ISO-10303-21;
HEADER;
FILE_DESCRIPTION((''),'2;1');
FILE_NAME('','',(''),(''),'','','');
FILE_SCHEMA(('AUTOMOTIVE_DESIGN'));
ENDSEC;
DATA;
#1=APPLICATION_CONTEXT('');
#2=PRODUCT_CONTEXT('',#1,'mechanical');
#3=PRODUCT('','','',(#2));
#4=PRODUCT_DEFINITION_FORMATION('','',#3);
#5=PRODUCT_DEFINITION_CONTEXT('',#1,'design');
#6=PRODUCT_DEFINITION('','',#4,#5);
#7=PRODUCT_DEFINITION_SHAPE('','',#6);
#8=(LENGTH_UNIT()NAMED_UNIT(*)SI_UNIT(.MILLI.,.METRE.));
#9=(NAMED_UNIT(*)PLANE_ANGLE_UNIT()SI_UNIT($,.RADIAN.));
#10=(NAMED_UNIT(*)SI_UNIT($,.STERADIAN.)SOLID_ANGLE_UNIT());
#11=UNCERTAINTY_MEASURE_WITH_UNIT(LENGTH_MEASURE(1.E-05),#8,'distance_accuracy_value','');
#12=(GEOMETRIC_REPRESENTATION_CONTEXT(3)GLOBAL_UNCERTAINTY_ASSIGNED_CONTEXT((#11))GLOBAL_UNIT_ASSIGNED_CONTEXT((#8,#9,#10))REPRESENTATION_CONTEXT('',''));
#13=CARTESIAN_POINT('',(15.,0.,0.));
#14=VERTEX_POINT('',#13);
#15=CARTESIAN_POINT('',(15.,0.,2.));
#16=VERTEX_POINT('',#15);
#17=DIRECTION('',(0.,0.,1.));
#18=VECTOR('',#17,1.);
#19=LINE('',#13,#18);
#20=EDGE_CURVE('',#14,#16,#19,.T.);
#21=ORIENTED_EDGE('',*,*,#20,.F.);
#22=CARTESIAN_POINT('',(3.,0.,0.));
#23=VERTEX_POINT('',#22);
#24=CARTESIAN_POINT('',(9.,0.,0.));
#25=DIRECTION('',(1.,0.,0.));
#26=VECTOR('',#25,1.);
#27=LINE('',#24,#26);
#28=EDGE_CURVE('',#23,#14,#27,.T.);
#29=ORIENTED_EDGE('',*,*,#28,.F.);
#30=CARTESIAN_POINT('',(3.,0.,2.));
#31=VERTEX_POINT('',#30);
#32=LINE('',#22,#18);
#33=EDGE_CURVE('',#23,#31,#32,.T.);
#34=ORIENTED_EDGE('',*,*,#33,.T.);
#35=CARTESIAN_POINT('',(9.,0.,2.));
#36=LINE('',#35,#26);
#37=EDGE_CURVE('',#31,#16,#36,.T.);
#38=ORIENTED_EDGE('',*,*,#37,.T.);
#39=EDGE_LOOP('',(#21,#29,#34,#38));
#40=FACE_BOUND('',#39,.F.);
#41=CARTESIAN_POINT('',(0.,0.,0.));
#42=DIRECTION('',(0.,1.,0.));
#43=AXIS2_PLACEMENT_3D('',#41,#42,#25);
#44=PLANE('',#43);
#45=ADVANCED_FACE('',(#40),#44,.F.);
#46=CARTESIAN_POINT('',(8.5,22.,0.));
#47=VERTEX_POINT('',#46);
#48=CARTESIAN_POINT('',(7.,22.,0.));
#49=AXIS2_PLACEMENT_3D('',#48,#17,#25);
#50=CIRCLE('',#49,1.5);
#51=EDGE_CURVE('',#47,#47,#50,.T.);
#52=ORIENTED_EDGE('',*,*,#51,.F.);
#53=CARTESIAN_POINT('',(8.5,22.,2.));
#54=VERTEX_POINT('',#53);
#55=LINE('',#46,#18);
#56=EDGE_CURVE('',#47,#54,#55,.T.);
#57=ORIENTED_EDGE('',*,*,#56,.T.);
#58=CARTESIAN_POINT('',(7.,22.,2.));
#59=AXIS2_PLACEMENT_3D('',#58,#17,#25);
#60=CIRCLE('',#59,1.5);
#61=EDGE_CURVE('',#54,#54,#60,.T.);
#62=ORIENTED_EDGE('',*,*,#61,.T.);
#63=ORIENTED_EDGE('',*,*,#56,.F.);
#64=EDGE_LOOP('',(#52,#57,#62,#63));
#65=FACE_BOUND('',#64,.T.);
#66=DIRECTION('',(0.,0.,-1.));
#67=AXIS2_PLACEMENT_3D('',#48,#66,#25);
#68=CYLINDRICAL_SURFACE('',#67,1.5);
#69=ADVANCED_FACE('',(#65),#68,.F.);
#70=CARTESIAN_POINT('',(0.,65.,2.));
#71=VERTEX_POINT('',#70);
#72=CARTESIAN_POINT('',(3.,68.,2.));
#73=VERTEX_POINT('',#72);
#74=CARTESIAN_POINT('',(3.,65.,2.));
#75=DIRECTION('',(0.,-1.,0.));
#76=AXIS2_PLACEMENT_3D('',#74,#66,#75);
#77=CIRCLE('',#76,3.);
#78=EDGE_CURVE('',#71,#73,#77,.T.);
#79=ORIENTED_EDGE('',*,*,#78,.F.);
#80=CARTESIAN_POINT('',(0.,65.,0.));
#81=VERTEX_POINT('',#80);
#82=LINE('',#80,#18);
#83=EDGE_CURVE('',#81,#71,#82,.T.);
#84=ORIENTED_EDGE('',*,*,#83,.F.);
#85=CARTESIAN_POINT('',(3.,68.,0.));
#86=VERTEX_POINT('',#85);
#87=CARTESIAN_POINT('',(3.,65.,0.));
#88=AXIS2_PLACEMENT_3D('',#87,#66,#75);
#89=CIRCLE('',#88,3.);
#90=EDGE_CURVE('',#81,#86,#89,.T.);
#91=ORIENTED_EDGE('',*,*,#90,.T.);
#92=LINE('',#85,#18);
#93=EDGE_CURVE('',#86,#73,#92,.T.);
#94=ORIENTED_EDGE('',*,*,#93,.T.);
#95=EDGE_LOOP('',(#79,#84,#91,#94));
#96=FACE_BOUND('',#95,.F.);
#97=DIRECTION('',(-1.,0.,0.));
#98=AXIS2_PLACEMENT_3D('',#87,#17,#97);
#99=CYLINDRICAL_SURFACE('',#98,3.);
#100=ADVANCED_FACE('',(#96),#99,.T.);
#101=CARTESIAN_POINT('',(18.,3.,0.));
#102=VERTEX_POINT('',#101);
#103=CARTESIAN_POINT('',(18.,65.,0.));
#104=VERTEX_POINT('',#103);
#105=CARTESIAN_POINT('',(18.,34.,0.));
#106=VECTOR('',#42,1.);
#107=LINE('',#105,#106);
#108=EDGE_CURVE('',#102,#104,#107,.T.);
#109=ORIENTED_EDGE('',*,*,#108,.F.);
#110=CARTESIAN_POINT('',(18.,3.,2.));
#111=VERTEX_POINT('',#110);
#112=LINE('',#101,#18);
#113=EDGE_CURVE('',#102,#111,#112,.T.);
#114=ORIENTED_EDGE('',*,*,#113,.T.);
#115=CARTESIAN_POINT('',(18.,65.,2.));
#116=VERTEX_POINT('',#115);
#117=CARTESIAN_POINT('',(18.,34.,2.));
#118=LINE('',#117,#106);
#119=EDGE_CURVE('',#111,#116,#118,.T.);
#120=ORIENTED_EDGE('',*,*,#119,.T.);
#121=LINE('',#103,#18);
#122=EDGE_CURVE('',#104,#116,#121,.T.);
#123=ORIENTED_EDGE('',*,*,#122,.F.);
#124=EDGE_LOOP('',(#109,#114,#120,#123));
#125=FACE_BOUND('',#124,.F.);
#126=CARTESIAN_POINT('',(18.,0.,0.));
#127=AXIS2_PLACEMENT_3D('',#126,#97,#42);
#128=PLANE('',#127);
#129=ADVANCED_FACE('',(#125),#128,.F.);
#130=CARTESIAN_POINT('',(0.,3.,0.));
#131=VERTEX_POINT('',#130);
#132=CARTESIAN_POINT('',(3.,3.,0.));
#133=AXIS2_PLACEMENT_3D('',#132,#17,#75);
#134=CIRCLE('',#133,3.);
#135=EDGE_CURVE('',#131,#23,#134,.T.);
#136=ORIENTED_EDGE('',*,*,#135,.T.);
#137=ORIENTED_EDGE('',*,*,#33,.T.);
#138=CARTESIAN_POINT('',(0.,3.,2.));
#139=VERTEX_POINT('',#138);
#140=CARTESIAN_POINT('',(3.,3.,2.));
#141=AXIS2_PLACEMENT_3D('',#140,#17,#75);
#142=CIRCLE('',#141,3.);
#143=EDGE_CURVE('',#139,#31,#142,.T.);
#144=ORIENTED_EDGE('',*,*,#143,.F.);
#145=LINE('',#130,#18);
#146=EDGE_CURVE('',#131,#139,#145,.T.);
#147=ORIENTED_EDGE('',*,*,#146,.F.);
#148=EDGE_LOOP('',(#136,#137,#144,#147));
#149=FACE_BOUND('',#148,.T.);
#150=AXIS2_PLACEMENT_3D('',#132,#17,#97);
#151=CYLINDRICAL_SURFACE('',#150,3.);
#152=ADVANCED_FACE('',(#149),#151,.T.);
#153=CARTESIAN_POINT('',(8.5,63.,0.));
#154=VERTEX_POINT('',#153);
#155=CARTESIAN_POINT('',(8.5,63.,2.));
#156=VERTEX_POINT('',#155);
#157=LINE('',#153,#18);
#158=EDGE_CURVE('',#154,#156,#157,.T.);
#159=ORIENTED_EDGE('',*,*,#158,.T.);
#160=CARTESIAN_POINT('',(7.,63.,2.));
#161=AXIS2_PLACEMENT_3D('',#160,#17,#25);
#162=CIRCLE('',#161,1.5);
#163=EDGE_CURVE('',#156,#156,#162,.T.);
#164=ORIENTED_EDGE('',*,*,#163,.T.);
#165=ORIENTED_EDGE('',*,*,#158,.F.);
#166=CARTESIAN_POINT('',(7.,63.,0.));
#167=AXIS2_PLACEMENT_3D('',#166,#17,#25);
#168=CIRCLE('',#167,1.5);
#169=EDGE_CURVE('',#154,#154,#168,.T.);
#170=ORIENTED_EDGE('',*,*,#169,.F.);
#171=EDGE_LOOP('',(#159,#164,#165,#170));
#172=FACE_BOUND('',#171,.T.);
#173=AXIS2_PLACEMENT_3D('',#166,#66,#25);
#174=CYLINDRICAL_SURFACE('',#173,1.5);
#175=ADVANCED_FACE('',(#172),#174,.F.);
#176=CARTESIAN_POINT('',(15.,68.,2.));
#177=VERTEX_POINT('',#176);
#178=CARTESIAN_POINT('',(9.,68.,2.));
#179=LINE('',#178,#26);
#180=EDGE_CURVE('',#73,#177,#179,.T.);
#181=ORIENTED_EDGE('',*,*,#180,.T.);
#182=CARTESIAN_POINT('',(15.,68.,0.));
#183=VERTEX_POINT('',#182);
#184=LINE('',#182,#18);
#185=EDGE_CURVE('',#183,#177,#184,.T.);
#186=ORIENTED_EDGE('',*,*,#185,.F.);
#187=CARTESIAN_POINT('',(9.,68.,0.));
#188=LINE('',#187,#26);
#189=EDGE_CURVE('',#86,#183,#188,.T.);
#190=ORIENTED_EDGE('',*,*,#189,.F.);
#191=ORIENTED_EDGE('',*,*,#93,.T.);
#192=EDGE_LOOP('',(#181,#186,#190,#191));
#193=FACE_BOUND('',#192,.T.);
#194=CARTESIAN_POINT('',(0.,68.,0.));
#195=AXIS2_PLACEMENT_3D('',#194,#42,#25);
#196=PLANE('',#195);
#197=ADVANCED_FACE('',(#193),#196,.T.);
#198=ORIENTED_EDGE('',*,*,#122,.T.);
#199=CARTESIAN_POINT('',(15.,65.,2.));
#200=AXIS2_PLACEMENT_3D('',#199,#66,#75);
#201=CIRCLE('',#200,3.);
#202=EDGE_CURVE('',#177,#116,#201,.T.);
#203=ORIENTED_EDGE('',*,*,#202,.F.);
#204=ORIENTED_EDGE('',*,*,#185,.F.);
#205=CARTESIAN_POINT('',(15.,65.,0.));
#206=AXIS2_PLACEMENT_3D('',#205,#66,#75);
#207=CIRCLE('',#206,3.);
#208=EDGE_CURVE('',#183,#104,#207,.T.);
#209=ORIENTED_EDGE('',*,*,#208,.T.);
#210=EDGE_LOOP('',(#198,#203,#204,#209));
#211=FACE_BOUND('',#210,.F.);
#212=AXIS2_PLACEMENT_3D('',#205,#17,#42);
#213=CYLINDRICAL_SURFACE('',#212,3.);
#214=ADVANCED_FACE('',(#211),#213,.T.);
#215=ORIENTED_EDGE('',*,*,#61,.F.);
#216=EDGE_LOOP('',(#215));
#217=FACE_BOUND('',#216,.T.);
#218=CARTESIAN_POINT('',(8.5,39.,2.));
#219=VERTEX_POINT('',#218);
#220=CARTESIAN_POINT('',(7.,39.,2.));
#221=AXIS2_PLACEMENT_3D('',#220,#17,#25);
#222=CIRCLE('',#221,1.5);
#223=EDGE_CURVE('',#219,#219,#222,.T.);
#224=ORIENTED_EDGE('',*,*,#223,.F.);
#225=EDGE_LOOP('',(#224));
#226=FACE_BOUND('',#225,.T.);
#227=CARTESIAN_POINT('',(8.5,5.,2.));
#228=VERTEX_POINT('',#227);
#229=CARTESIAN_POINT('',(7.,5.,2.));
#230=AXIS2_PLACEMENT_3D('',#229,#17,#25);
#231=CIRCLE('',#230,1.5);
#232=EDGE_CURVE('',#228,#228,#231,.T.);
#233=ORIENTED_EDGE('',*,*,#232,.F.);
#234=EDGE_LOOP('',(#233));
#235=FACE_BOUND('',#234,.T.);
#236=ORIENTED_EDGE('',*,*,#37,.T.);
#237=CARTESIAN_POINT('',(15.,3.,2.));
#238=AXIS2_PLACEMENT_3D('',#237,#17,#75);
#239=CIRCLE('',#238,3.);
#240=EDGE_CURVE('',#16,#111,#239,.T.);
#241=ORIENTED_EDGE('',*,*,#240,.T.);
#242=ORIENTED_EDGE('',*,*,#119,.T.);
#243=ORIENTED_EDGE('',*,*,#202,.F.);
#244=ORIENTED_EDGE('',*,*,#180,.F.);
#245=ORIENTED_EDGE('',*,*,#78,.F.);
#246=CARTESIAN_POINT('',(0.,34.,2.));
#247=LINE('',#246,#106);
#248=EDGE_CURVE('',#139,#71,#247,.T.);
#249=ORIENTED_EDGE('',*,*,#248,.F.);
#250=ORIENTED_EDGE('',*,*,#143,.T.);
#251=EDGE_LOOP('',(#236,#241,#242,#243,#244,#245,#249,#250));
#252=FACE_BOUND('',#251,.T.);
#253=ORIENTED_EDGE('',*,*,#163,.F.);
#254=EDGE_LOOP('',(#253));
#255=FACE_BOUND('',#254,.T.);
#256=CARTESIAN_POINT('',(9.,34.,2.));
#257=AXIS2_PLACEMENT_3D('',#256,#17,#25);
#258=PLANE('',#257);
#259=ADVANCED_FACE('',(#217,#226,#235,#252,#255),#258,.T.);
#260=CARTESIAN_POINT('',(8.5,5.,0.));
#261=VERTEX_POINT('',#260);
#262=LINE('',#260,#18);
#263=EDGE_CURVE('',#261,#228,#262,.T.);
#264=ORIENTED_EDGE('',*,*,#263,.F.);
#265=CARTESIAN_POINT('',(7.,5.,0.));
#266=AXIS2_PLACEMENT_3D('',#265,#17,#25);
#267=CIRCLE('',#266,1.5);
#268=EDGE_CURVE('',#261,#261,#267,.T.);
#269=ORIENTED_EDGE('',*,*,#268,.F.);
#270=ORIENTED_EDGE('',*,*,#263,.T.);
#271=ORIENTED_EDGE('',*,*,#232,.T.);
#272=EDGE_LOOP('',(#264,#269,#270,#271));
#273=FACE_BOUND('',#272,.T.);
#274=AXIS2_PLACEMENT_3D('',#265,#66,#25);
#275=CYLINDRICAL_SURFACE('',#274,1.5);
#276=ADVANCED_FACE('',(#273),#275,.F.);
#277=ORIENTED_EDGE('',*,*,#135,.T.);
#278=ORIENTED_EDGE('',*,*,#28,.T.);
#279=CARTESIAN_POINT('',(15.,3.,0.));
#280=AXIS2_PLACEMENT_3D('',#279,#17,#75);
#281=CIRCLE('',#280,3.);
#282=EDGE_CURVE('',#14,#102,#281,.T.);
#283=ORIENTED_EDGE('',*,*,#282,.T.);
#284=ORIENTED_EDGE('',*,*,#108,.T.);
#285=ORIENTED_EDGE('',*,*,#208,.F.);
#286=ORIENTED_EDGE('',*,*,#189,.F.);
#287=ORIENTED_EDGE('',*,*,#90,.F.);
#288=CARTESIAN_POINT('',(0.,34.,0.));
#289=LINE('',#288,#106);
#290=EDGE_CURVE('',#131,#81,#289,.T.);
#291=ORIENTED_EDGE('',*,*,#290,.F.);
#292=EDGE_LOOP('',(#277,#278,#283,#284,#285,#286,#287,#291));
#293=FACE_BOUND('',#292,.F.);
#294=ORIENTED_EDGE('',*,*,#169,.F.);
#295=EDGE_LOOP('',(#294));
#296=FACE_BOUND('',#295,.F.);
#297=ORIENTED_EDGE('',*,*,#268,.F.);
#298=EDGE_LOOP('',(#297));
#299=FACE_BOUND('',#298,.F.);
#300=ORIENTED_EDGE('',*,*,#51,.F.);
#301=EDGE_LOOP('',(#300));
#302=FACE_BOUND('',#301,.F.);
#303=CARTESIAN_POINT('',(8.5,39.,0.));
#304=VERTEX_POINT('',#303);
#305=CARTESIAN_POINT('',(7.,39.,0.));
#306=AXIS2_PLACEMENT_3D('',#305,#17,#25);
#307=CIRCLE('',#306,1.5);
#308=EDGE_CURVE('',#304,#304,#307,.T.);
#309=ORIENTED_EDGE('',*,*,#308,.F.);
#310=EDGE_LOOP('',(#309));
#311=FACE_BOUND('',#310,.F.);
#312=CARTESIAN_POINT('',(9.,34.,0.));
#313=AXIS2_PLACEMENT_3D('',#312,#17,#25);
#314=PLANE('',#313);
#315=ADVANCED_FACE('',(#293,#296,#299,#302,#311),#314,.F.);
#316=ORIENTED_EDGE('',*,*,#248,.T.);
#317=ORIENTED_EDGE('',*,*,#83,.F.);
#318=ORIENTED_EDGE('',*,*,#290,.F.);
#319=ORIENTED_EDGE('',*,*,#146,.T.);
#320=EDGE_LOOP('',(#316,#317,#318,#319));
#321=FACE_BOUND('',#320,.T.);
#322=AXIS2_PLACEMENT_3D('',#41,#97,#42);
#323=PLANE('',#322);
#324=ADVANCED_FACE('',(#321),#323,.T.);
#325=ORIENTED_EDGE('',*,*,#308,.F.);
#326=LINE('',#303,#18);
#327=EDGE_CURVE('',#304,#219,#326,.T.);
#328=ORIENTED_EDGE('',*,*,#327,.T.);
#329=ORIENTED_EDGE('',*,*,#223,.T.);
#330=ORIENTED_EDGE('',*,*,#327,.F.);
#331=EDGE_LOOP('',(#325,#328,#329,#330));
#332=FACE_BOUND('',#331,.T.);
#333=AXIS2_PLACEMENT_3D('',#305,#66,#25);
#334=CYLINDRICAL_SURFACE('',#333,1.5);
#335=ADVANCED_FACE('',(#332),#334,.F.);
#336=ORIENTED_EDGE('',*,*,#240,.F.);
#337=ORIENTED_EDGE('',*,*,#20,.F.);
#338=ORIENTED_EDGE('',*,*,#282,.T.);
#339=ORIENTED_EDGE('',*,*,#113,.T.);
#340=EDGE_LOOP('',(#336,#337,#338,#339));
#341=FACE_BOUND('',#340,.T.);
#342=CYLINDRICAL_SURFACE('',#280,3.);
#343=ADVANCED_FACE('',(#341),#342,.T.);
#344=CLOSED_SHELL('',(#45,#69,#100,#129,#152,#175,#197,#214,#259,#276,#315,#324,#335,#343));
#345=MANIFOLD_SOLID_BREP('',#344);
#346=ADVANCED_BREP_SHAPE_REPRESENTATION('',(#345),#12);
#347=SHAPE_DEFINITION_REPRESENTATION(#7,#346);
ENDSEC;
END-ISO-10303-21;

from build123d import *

# Parameters (mm, degrees)
F0_W     = 18
F0_H     = 68
F0_R     = 1.5
F1_DEPTH = 2
F2_R     = 3


with BuildPart() as f1:
    # F0 (on Top) → F1 (new body)
    with BuildSketch(Plane.XY):
        with Locations((9, 34)):
            Rectangle(F0_W, F0_H)
        with Locations((7, 5)):
            Circle(F0_R, mode=Mode.SUBTRACT)
        with Locations((7, 22)):
            Circle(F0_R, mode=Mode.SUBTRACT)
        with Locations((7, 39)):
            Circle(F0_R, mode=Mode.SUBTRACT)
        with Locations((7, 63)):
            Circle(F0_R, mode=Mode.SUBTRACT)
    extrude(amount=F1_DEPTH)

    # F2
    f2_edges = [f1.edges().sort_by_distance(p)[0] for p in [
        (18, 68, 1),
        (0, 68, 1),
        (18, 0, 1),
        (0, 0, 1),
    ]]
    fillet(f2_edges, radius=F2_R)


solid = f1.part
